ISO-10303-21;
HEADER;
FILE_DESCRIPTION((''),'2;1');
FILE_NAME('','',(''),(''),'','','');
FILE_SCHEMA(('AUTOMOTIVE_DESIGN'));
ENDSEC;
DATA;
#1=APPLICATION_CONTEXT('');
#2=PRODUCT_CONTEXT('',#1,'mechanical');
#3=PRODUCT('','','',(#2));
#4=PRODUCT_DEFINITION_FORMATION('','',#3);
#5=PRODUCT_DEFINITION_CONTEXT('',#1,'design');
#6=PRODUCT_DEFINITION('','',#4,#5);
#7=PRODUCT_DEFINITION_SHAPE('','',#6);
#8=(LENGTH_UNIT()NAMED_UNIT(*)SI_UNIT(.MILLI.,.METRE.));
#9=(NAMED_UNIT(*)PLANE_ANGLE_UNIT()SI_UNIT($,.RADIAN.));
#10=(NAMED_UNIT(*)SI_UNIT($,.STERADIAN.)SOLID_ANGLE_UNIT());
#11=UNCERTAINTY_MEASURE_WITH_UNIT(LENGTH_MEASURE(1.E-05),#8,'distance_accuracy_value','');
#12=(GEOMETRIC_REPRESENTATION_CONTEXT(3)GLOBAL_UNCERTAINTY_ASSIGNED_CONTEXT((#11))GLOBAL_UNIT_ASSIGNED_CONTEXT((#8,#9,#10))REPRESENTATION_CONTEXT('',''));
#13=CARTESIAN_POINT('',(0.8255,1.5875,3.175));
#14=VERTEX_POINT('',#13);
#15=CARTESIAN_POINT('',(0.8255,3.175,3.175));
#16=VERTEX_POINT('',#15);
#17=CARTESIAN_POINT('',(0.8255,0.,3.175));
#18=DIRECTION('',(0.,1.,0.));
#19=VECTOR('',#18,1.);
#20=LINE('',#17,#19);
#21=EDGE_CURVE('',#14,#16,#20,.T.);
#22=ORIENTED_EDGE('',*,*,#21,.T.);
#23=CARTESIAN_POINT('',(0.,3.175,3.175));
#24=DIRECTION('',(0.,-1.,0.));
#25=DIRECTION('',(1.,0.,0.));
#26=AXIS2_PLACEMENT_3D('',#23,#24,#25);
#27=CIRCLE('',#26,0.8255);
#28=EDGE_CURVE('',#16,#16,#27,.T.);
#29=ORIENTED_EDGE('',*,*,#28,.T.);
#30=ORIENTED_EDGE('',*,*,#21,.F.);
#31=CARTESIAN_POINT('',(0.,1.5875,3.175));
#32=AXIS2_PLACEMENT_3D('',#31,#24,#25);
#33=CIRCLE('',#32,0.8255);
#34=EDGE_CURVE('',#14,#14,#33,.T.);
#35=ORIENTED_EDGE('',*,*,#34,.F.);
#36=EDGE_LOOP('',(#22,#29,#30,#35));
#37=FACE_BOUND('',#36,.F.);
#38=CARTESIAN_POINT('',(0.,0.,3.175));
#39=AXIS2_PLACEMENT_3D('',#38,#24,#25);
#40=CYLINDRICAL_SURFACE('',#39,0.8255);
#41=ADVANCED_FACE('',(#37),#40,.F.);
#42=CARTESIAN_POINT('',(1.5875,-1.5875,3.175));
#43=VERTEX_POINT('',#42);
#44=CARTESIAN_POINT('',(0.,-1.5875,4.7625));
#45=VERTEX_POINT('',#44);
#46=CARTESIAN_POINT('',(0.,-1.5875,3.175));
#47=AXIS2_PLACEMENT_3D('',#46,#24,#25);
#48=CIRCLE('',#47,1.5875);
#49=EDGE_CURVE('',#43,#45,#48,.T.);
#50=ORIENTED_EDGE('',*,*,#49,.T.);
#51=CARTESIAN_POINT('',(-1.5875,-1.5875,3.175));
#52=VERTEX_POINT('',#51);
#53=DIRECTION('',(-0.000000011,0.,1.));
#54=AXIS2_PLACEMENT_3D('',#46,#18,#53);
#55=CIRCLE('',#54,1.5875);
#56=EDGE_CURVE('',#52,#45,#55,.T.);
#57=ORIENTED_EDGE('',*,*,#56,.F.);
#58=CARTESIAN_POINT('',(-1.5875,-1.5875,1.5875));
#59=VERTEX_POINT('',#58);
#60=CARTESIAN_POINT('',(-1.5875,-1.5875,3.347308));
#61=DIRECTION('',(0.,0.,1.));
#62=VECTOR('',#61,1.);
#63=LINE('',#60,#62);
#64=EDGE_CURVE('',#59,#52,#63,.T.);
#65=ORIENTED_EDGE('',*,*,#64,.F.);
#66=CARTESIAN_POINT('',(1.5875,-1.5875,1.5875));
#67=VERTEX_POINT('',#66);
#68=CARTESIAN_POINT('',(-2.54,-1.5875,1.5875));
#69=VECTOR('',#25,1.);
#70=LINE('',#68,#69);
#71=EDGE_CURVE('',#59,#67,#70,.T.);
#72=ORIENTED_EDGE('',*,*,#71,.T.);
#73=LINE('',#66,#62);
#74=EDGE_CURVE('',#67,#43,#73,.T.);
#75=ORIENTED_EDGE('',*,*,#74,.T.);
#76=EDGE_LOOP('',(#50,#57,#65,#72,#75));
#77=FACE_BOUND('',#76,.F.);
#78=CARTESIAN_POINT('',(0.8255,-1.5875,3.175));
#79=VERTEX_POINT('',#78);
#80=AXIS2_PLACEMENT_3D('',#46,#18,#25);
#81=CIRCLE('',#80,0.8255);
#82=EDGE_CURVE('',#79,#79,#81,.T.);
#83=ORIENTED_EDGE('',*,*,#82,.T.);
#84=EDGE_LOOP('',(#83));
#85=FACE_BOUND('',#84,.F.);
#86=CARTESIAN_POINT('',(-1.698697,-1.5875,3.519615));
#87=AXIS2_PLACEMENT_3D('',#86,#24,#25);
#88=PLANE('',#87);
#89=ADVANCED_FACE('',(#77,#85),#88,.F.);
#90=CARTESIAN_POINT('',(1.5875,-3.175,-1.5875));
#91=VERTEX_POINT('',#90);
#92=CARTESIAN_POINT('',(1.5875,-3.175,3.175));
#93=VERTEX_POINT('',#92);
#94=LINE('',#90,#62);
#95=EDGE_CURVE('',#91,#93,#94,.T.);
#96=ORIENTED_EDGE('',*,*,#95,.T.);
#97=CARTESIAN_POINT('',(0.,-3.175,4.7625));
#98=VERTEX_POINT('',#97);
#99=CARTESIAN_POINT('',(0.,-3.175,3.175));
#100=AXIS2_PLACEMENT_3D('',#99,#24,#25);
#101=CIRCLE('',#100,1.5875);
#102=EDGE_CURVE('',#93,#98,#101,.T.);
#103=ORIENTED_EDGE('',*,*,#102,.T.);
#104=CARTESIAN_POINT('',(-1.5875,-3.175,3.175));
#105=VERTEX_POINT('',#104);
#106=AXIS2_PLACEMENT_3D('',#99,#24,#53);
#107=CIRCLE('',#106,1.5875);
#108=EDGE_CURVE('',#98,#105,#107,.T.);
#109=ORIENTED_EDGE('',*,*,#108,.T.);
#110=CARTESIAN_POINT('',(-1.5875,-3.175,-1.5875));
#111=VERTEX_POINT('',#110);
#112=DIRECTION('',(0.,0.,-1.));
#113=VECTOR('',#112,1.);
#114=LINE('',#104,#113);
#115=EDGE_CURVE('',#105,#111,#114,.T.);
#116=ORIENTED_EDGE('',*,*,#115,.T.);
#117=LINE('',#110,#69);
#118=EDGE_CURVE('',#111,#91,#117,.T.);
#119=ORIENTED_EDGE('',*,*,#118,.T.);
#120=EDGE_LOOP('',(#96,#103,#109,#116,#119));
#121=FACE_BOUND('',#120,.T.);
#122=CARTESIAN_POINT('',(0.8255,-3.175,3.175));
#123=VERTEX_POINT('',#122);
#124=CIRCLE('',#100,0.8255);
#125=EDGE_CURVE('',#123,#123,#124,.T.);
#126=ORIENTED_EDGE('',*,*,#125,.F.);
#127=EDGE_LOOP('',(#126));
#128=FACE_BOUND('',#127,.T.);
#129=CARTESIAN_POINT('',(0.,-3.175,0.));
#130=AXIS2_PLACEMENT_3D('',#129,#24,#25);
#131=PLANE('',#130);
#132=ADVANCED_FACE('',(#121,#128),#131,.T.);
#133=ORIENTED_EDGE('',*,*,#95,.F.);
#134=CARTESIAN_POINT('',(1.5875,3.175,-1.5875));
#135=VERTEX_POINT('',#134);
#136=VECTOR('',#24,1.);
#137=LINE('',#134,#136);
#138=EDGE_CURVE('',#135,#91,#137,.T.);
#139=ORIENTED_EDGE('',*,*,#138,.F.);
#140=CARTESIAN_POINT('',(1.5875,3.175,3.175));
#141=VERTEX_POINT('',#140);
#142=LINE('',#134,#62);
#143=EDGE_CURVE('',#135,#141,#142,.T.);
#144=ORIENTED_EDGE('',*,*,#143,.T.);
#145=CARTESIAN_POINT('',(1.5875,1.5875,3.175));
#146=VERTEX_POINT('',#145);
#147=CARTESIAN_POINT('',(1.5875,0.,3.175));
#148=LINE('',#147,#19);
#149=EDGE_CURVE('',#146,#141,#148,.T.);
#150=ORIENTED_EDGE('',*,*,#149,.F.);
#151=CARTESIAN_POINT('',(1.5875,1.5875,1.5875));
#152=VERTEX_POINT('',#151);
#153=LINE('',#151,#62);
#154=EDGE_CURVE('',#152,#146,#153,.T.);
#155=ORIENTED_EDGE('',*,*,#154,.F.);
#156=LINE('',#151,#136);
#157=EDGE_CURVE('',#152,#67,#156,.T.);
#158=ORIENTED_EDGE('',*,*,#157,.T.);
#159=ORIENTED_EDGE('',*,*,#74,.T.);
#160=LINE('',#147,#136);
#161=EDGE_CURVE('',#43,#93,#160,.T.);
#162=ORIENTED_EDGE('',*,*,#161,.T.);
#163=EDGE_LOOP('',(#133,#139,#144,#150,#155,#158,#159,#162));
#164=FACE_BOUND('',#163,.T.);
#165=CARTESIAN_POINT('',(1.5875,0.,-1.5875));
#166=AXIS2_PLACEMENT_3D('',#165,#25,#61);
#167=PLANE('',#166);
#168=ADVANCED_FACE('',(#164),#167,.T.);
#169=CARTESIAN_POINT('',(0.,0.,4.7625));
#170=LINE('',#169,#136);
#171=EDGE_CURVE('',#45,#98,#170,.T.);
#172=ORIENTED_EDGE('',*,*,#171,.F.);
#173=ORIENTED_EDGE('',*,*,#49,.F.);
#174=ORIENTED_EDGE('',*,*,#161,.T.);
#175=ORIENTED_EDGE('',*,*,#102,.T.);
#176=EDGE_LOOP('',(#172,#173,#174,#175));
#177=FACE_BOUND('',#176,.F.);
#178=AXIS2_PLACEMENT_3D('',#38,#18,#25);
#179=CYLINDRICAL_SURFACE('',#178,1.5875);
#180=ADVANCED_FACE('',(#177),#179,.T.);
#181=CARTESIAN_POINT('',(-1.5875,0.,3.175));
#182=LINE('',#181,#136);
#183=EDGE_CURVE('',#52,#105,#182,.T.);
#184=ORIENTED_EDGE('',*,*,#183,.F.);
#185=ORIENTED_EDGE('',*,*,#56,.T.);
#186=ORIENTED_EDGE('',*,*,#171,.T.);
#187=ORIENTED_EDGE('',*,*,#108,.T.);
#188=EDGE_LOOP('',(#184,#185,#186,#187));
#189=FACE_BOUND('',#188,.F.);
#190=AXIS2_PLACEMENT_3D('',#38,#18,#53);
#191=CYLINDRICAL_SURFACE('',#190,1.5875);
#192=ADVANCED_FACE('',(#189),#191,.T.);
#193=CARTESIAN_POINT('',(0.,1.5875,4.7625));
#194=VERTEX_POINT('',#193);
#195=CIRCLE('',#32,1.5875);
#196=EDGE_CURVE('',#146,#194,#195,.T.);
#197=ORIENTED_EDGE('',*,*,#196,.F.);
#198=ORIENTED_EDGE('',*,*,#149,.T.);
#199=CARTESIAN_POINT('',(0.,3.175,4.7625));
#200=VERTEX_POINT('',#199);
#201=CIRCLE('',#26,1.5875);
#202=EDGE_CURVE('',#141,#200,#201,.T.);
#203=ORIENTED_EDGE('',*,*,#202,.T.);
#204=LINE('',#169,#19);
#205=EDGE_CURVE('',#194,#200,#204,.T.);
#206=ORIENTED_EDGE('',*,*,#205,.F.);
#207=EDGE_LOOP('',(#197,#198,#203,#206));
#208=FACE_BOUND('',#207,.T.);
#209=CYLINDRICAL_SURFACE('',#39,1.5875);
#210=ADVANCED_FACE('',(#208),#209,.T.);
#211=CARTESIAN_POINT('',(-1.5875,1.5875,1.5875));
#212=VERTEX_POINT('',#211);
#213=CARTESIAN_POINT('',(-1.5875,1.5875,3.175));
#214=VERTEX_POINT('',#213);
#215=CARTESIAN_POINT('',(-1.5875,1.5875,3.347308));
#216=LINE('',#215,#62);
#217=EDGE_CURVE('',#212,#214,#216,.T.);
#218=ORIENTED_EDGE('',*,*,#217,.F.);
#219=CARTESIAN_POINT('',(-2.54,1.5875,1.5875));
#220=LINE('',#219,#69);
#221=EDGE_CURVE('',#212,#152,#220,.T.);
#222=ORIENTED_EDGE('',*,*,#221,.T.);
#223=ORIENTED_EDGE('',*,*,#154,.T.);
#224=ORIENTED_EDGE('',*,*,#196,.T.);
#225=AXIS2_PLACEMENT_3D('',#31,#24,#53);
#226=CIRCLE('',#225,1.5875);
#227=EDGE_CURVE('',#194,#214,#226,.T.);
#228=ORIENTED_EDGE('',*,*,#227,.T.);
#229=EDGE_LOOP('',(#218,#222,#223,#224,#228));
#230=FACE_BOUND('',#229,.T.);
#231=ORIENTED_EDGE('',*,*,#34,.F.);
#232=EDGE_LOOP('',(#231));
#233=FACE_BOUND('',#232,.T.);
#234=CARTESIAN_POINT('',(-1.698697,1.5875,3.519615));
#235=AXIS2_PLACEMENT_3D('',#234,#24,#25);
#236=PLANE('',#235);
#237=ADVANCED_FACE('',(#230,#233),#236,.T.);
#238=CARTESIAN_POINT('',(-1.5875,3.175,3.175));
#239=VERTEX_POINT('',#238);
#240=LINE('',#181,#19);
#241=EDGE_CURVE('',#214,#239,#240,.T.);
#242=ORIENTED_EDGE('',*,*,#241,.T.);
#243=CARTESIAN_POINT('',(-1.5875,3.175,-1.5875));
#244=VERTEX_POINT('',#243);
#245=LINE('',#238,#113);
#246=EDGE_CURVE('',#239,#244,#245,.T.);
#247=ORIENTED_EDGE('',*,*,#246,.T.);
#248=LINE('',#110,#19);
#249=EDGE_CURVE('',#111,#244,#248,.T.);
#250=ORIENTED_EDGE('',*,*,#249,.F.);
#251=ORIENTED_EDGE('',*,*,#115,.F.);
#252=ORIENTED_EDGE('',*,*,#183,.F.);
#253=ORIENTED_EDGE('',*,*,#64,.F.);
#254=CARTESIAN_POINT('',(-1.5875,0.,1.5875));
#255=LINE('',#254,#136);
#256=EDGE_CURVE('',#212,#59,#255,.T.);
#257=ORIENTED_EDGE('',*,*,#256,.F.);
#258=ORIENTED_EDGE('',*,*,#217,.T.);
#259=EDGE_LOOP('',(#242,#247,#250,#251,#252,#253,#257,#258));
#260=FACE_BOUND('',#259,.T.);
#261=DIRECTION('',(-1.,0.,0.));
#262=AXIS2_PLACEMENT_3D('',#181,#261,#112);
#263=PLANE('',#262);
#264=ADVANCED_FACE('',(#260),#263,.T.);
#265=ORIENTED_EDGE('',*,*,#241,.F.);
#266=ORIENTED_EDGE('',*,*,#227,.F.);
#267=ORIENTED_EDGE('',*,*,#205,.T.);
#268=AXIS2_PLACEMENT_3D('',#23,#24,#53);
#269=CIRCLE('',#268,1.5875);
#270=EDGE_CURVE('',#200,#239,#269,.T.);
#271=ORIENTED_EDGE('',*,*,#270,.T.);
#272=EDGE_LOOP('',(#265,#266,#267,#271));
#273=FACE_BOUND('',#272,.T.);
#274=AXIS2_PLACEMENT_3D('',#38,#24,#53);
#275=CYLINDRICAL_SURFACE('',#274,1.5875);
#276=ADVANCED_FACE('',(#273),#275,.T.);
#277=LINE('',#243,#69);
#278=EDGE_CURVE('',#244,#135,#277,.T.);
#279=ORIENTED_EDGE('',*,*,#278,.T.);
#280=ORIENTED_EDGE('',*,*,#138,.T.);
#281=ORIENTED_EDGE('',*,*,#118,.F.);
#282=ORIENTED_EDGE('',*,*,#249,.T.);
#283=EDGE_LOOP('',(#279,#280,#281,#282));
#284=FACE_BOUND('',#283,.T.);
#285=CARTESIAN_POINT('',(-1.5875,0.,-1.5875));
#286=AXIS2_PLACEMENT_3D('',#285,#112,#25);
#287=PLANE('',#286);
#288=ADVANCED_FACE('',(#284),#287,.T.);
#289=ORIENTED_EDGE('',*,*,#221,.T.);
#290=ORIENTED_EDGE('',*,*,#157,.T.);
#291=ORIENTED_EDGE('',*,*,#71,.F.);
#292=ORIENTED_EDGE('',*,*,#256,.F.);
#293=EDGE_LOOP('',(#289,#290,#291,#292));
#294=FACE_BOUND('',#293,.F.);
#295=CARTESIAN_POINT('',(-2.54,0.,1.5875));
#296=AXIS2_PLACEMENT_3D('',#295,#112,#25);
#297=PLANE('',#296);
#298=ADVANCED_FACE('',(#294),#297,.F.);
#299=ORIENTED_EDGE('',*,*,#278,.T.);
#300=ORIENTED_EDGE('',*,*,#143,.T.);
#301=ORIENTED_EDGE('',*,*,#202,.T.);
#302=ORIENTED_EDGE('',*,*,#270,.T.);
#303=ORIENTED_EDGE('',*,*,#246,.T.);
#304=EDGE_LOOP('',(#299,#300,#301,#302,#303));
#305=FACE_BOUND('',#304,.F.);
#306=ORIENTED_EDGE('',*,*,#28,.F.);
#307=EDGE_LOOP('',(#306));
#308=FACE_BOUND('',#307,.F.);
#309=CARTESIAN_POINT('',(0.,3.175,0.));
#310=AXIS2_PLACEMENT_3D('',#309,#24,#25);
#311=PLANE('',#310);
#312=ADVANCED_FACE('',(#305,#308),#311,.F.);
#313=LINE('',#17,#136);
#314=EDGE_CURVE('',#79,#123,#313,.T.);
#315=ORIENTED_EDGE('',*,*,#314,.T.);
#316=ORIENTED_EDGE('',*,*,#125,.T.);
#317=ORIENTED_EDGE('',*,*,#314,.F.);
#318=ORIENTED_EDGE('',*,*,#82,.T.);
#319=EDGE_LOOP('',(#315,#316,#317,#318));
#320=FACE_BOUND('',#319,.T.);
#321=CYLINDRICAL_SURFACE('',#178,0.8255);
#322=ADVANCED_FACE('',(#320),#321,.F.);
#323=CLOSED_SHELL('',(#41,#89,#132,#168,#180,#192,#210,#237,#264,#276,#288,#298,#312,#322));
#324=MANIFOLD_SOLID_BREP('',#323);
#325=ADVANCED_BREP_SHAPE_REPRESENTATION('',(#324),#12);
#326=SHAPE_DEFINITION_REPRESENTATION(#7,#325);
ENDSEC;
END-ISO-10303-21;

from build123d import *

# Parameters (mm, degrees)
F0_R     = 0.8255
F1_DEPTH = 3.175
F2_DEPTH = 1.5875


with BuildPart() as f1:
    # F0 (on Front) → F1 (new body, symmetric)
    with BuildSketch(Plane.XZ):
        Polygon((-1.5875, -1.5875), (1.5875, -1.5875), (1.5875, 1.5875), (0, 1.5875), (-1.5875, 1.5875), align=None)
        with BuildLine():
            ThreePointArc((-1.5875, 3.175), (-1.1225320151, 2.0524679849), (0, 1.5875))
            ThreePointArc((0, 1.5875), (1.1225320151, 2.0524679849), (1.5875, 3.175))
            ThreePointArc((1.5875, 3.175), (1.1225320091, 4.2975320212), (-1.72e-08, 4.7625))
            ThreePointArc((-1.72e-08, 4.7625), (-1.1225320212, 4.2975320091), (-1.5875, 3.175))
        make_face()
        with Locations((0, 3.175)):
            Circle(F0_R, mode=Mode.SUBTRACT)
        with BuildLine():
            Line((0, 1.5875), (1.5875, 1.5875))
            Line((1.5875, 1.5875), (1.5875, 3.175))
            ThreePointArc((1.5875, 3.175), (1.1225320151, 2.0524679849), (0, 1.5875))
        make_face()
        with BuildLine():
            Line((-1.5875, 3.175), (-1.5875, 1.5875))
            Line((-1.5875, 1.5875), (0, 1.5875))
            ThreePointArc((0, 1.5875), (-1.1225320151, 2.0524679849), (-1.5875, 3.175))
        make_face()
    extrude(amount=F1_DEPTH, both=True)

    # F0 (on Front) → F2 (cut, symmetric)
    with BuildSketch(Plane.XZ):
        with BuildLine():
            Line((-2.54, 1.5875), (-1.5875, 1.5875))
            Line((-1.5875, 1.5875), (-1.5875, 3.175))
            ThreePointArc((-1.5875, 3.175), (-1.1225320212, 4.2975320091), (-1.72e-08, 4.7625))
            Line((-1.72e-08, 4.7625), (-2.54, 4.7625))
            Line((-2.54, 4.7625), (-2.54, 1.5875))
        make_face()
        with BuildLine():
            Line((-1.5875, 3.175), (-1.5875, 1.5875))
            Line((-1.5875, 1.5875), (0, 1.5875))
            ThreePointArc((0, 1.5875), (-1.1225320151, 2.0524679849), (-1.5875, 3.175))
        make_face()
        with BuildLine():
            ThreePointArc((-1.5875, 3.175), (-1.1225320151, 2.0524679849), (0, 1.5875))
            ThreePointArc((0, 1.5875), (1.1225320151, 2.0524679849), (1.5875, 3.175))
            ThreePointArc((1.5875, 3.175), (1.1225320091, 4.2975320212), (-1.72e-08, 4.7625))
            ThreePointArc((-1.72e-08, 4.7625), (-1.1225320212, 4.2975320091), (-1.5875, 3.175))
        make_face()
        with Locations((0, 3.175)):
            Circle(F0_R, mode=Mode.SUBTRACT)
        with Locations((0, 3.175)):
            Circle(F0_R)
        with BuildLine():
            Line((0, 1.5875), (1.5875, 1.5875))
            Line((1.5875, 1.5875), (1.5875, 3.175))
            ThreePointArc((1.5875, 3.175), (1.1225320151, 2.0524679849), (0, 1.5875))
        make_face()
    extrude(amount=F2_DEPTH, both=True, mode=Mode.SUBTRACT)


solid = f1.part
